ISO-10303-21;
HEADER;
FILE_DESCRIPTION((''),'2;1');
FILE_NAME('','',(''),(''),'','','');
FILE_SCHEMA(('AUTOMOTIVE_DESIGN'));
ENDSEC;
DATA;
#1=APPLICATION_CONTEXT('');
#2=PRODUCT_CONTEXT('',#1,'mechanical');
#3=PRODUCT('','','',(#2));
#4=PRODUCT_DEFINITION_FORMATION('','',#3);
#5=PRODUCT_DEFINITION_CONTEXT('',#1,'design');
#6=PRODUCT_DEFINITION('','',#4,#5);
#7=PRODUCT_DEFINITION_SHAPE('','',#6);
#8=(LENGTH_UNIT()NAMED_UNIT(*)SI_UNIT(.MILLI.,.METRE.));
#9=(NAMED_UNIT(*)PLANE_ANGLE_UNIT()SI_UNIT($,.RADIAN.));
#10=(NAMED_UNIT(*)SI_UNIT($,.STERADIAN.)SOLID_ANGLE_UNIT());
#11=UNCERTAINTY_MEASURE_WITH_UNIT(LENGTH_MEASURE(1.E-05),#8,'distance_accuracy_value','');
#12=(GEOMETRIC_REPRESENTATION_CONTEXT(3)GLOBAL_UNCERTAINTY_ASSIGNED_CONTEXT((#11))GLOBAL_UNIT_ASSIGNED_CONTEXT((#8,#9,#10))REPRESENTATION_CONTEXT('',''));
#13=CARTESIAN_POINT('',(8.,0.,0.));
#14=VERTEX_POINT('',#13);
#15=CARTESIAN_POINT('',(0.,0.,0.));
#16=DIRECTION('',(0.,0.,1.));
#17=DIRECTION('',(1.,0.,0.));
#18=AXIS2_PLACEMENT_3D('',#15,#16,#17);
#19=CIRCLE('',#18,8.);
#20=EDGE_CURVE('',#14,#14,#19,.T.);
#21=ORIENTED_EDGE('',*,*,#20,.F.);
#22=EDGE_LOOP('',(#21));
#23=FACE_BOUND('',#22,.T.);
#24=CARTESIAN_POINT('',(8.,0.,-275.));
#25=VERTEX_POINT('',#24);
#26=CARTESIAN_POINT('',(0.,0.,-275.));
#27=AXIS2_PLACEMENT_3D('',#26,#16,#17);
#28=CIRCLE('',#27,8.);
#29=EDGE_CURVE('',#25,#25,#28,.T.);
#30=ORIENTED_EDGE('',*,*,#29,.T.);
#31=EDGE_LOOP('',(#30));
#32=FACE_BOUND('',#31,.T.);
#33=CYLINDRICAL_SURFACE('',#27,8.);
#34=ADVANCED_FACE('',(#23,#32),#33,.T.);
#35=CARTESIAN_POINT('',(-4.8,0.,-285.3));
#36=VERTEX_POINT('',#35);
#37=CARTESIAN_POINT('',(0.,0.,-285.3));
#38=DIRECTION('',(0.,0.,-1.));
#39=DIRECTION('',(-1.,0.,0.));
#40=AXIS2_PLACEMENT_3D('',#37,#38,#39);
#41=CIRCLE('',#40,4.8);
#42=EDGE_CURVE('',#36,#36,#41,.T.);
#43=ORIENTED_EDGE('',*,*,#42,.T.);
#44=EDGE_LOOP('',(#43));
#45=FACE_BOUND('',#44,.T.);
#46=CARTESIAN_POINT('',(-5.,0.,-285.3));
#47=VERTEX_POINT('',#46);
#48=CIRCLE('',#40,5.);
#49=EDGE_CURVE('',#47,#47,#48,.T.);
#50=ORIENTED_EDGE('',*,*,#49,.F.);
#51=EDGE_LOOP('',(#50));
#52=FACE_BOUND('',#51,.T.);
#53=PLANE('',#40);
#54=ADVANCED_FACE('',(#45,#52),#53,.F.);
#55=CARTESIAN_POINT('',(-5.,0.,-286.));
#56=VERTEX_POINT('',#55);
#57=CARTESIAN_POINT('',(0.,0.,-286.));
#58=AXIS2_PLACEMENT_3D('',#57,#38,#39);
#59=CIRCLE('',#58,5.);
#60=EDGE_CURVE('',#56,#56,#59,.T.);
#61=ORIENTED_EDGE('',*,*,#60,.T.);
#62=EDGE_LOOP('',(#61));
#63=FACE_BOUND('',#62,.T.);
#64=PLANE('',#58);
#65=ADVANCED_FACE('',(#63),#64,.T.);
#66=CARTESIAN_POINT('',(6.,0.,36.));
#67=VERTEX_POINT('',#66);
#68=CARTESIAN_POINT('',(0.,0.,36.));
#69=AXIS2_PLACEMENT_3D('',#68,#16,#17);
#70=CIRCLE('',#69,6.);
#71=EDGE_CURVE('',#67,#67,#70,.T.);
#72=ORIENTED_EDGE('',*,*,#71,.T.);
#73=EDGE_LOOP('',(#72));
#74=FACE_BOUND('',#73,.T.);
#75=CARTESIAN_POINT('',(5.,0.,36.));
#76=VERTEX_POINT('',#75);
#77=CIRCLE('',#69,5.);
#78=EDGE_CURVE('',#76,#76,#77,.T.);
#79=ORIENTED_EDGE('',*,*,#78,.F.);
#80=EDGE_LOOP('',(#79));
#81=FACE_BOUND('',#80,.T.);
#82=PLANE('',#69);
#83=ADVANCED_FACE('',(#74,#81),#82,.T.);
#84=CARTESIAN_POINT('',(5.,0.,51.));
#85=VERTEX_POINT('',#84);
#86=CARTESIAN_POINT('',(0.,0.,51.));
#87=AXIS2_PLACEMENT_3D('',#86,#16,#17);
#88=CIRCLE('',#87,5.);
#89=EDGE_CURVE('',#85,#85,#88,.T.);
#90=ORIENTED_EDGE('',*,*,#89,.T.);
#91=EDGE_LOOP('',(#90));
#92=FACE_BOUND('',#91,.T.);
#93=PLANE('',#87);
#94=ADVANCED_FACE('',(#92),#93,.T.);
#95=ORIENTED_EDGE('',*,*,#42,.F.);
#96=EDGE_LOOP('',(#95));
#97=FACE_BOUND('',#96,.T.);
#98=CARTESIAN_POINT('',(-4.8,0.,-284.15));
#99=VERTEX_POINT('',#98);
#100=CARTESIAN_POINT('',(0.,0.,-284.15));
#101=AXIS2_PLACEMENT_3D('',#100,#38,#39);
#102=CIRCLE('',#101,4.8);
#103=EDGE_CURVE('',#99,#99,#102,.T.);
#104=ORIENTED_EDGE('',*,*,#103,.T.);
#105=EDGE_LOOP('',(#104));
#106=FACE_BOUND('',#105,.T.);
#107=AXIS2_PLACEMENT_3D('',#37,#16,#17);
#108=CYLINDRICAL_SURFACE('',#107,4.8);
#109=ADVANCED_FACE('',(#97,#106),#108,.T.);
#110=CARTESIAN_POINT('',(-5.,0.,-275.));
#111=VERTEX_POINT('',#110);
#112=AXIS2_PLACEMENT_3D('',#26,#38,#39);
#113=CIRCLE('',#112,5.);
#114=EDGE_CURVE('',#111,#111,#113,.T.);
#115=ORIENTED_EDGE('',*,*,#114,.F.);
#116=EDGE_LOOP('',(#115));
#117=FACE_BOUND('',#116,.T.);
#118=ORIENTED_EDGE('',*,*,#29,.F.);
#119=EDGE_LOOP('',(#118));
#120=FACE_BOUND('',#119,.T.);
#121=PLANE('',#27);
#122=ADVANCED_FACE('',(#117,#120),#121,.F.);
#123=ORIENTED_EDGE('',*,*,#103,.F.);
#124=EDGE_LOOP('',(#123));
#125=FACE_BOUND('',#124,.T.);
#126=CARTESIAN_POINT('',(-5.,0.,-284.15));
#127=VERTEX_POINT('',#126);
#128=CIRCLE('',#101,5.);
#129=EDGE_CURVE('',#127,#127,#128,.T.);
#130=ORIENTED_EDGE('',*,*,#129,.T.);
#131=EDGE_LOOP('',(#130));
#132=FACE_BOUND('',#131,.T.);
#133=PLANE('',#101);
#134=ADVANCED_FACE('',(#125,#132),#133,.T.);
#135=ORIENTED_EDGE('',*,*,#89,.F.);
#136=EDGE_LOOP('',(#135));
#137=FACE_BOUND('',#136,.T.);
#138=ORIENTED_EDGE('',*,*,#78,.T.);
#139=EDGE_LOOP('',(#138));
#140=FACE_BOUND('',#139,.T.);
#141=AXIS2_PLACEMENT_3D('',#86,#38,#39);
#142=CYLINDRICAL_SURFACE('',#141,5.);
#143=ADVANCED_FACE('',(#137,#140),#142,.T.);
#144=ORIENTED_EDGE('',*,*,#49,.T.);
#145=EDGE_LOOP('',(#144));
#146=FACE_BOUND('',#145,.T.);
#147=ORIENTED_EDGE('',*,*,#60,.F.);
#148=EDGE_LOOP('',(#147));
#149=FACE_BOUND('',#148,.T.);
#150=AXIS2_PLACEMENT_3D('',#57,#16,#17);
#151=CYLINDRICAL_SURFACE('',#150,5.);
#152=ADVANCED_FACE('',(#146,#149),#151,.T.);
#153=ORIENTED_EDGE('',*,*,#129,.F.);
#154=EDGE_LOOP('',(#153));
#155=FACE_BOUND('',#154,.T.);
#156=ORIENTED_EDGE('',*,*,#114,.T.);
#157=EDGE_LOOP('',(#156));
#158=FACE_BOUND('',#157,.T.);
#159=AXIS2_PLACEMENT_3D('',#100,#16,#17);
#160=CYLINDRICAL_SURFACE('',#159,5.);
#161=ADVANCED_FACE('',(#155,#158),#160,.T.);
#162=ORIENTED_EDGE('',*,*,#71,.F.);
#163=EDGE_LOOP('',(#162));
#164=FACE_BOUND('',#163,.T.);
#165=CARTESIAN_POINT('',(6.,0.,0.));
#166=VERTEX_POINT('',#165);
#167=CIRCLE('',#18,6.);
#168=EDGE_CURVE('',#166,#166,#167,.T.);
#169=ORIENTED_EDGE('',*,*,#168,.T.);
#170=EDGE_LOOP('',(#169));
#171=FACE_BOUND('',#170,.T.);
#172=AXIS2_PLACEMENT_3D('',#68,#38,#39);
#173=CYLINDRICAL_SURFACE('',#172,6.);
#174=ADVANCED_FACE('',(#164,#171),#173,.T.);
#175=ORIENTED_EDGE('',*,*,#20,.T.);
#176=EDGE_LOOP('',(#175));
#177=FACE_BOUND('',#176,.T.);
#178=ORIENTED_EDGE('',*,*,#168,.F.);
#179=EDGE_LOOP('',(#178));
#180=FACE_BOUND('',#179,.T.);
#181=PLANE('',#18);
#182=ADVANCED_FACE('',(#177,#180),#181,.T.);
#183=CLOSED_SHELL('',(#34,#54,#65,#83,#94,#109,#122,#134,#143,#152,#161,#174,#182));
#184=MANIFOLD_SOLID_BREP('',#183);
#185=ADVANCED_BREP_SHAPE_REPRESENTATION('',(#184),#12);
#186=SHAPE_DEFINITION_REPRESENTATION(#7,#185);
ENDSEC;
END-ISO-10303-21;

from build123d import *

# Parameters (mm, degrees)
SKETCH1_R           = 8
BOSS_EXTRUDE1_DEPTH = 275
SKETCH2_R           = 6
BOSS_EXTRUDE2_DEPTH = 36
SKETCH3_R           = 5
BOSS_EXTRUDE3_DEPTH = 15
BOSS_EXTRUDE4_START = 9.15
SKETCH4_R           = 5
BOSS_EXTRUDE4_DEPTH = 9.15
SKETCH5_R           = 4.8
BOSS_EXTRUDE5_DEPTH = 1.15
BOSS_EXTRUDE6_START = 0.7
SKETCH7_R           = 5
BOSS_EXTRUDE6_DEPTH = 0.7


with BuildPart() as part:
    # Sketch1 → Boss-Extrude1 (new body)
    with BuildSketch(Plane.XY):
        Circle(SKETCH1_R)
    extrude(amount=-BOSS_EXTRUDE1_DEPTH)

    # Sketch2 → Boss-Extrude2 (add)
    with BuildSketch(Plane.XY):
        Circle(SKETCH2_R)
    extrude(amount=BOSS_EXTRUDE2_DEPTH)

    # Sketch3 → Boss-Extrude3 (add)
    with BuildSketch(Plane.XY.offset(36)):
        Circle(SKETCH3_R)
    extrude(amount=BOSS_EXTRUDE3_DEPTH)

    # Sketch4 → Boss-Extrude4 (add)
    with BuildSketch(Plane(origin=(0, 0, -275), x_dir=(-1, 0, 0), z_dir=(0, 0, -1)).offset(BOSS_EXTRUDE4_START)):
        with Locations(Location((0, 0, 0), (0, 0, 180))):
            Circle(SKETCH4_R)
    extrude(amount=-BOSS_EXTRUDE4_DEPTH)

    # Sketch5 → Boss-Extrude5 (add)
    with BuildSketch(Plane(origin=(0, 0, -284.15), x_dir=(-1, 0, 0), z_dir=(0, 0, -1))):
        Circle(SKETCH5_R)
    extrude(amount=BOSS_EXTRUDE5_DEPTH)

    # Sketch7 → Boss-Extrude6 (add)
    with BuildSketch(Plane(origin=(0, 0, -285.3), x_dir=(-1, 0, 0), z_dir=(0, 0, -1)).offset(BOSS_EXTRUDE6_START)):
        with Locations(Location((0, 0, 0), (0, 0, 180))):
            Circle(SKETCH7_R)
    extrude(amount=-BOSS_EXTRUDE6_DEPTH)


solid = part.part
